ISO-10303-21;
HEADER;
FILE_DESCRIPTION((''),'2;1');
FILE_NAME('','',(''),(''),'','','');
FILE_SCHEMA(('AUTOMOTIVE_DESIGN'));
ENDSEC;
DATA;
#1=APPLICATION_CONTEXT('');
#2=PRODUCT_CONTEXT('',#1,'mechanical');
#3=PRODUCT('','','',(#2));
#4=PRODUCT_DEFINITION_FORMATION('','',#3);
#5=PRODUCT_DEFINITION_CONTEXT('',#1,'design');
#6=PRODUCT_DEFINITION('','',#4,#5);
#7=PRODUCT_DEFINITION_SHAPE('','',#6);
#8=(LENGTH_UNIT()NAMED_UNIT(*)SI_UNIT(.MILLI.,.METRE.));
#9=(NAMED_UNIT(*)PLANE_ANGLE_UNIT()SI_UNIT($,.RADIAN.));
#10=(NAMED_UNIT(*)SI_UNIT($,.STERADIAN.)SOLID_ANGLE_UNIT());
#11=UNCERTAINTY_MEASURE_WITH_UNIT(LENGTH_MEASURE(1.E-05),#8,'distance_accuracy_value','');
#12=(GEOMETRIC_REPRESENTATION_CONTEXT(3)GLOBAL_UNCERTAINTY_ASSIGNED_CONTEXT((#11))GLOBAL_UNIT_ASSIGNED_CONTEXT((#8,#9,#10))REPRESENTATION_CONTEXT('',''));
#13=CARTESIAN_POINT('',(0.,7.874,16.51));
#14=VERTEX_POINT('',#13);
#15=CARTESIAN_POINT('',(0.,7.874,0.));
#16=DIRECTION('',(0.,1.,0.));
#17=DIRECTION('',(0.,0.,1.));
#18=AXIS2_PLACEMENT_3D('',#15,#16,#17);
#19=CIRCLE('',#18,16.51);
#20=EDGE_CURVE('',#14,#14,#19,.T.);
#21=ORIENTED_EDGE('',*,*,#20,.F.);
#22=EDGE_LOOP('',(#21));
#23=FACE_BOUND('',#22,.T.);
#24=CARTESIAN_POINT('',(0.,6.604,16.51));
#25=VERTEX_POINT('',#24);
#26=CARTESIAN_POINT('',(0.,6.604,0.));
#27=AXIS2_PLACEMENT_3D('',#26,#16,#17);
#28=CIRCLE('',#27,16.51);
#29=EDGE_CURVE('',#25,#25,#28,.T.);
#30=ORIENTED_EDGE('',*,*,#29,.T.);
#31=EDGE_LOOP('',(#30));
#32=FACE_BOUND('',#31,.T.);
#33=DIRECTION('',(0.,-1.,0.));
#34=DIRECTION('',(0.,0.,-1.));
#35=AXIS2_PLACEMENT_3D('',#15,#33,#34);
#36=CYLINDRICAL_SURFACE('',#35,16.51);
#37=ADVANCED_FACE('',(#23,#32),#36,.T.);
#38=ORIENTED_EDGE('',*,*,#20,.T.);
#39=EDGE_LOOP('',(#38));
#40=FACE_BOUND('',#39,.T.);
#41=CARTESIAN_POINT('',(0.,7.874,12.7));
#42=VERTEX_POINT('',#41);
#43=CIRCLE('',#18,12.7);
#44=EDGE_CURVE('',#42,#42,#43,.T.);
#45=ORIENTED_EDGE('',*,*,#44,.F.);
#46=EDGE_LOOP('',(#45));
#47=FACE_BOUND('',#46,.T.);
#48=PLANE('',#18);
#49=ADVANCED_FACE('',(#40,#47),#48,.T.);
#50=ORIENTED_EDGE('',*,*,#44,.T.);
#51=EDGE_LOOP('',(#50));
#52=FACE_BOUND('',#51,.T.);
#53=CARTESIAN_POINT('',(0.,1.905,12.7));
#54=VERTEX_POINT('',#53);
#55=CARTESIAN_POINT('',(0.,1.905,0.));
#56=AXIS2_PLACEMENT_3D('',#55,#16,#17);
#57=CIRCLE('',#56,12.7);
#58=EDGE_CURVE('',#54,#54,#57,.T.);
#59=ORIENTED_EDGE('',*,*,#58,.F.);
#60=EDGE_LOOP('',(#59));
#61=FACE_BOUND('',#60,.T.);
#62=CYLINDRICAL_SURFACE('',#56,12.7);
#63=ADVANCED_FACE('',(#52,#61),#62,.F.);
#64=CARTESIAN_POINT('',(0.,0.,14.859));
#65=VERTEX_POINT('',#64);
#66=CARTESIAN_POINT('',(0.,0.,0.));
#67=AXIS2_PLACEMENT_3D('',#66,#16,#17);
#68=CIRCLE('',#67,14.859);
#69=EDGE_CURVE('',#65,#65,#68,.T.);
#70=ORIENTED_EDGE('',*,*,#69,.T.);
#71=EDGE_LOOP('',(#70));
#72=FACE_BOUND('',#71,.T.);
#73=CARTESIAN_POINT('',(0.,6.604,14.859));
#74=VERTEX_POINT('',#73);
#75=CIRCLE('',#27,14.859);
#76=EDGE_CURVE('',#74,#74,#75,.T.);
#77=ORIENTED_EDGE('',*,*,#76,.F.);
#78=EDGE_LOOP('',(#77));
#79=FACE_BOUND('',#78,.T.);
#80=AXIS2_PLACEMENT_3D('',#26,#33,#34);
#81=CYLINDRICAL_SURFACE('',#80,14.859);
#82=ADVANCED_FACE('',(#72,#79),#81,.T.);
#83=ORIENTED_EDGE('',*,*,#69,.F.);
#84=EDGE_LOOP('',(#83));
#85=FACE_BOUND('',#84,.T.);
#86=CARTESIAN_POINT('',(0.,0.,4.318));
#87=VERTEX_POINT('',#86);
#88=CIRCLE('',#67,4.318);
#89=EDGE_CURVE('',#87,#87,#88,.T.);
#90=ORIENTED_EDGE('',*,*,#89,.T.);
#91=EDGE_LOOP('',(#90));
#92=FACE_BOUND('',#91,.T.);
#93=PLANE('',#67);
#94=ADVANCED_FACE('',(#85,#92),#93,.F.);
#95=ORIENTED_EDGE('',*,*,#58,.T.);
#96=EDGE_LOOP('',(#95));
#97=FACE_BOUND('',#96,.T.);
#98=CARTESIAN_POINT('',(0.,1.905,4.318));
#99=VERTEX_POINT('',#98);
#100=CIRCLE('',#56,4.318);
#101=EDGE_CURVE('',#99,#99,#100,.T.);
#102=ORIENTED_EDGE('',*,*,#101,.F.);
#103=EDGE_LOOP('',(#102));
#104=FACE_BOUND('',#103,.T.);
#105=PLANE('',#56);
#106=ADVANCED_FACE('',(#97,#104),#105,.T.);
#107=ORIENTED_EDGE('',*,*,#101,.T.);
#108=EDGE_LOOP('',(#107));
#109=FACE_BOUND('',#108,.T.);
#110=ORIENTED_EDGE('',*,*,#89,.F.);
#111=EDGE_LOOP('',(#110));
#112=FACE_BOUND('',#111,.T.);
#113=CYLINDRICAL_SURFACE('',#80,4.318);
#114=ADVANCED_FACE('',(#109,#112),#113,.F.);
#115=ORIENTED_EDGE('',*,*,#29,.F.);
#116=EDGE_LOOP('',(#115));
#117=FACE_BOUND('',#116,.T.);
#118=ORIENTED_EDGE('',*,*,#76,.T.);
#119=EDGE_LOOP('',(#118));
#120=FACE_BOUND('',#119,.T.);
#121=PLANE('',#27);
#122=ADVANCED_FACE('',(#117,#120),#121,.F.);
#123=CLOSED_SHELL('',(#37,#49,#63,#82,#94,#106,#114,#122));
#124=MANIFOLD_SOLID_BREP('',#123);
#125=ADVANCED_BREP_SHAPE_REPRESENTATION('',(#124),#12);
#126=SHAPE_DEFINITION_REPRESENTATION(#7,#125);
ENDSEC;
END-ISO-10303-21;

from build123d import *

# Parameters (mm, degrees)
SKETCH1_R           = 14.859
SKETCH1_R_2         = 4.318
BOSS_EXTRUDE1_DEPTH = 6.604
SKETCH2_R           = 16.51
SKETCH2_R_2         = 4.318
BOSS_EXTRUDE2_DEPTH = 1.27
SKETCH3_R           = 12.7
CUT_EXTRUDE1_DEPTH  = 5.969


with BuildPart() as part:
    # Sketch1 → Boss-Extrude1 (new body)
    with BuildSketch(Plane(origin=(0, 0, 0), x_dir=(1, 0, 0), z_dir=(0, 1, 0))):
        Circle(SKETCH1_R)
        Circle(SKETCH1_R_2, mode=Mode.SUBTRACT)
    extrude(amount=BOSS_EXTRUDE1_DEPTH)

    # Sketch2 → Boss-Extrude2 (add)
    with BuildSketch(Plane(origin=(0, 6.604, 0), x_dir=(1, 0, 0), z_dir=(0, 1, 0))):
        Circle(SKETCH2_R)
        Circle(SKETCH2_R_2, mode=Mode.SUBTRACT)
    extrude(amount=BOSS_EXTRUDE2_DEPTH)

    # Sketch3 → Cut-Extrude1 (cut)
    with BuildSketch(Plane(origin=(0, 7.874, 0), x_dir=(1, 0, 0), z_dir=(0, 1, 0))):
        Circle(SKETCH3_R)
    extrude(amount=-CUT_EXTRUDE1_DEPTH, mode=Mode.SUBTRACT)


solid = part.part
